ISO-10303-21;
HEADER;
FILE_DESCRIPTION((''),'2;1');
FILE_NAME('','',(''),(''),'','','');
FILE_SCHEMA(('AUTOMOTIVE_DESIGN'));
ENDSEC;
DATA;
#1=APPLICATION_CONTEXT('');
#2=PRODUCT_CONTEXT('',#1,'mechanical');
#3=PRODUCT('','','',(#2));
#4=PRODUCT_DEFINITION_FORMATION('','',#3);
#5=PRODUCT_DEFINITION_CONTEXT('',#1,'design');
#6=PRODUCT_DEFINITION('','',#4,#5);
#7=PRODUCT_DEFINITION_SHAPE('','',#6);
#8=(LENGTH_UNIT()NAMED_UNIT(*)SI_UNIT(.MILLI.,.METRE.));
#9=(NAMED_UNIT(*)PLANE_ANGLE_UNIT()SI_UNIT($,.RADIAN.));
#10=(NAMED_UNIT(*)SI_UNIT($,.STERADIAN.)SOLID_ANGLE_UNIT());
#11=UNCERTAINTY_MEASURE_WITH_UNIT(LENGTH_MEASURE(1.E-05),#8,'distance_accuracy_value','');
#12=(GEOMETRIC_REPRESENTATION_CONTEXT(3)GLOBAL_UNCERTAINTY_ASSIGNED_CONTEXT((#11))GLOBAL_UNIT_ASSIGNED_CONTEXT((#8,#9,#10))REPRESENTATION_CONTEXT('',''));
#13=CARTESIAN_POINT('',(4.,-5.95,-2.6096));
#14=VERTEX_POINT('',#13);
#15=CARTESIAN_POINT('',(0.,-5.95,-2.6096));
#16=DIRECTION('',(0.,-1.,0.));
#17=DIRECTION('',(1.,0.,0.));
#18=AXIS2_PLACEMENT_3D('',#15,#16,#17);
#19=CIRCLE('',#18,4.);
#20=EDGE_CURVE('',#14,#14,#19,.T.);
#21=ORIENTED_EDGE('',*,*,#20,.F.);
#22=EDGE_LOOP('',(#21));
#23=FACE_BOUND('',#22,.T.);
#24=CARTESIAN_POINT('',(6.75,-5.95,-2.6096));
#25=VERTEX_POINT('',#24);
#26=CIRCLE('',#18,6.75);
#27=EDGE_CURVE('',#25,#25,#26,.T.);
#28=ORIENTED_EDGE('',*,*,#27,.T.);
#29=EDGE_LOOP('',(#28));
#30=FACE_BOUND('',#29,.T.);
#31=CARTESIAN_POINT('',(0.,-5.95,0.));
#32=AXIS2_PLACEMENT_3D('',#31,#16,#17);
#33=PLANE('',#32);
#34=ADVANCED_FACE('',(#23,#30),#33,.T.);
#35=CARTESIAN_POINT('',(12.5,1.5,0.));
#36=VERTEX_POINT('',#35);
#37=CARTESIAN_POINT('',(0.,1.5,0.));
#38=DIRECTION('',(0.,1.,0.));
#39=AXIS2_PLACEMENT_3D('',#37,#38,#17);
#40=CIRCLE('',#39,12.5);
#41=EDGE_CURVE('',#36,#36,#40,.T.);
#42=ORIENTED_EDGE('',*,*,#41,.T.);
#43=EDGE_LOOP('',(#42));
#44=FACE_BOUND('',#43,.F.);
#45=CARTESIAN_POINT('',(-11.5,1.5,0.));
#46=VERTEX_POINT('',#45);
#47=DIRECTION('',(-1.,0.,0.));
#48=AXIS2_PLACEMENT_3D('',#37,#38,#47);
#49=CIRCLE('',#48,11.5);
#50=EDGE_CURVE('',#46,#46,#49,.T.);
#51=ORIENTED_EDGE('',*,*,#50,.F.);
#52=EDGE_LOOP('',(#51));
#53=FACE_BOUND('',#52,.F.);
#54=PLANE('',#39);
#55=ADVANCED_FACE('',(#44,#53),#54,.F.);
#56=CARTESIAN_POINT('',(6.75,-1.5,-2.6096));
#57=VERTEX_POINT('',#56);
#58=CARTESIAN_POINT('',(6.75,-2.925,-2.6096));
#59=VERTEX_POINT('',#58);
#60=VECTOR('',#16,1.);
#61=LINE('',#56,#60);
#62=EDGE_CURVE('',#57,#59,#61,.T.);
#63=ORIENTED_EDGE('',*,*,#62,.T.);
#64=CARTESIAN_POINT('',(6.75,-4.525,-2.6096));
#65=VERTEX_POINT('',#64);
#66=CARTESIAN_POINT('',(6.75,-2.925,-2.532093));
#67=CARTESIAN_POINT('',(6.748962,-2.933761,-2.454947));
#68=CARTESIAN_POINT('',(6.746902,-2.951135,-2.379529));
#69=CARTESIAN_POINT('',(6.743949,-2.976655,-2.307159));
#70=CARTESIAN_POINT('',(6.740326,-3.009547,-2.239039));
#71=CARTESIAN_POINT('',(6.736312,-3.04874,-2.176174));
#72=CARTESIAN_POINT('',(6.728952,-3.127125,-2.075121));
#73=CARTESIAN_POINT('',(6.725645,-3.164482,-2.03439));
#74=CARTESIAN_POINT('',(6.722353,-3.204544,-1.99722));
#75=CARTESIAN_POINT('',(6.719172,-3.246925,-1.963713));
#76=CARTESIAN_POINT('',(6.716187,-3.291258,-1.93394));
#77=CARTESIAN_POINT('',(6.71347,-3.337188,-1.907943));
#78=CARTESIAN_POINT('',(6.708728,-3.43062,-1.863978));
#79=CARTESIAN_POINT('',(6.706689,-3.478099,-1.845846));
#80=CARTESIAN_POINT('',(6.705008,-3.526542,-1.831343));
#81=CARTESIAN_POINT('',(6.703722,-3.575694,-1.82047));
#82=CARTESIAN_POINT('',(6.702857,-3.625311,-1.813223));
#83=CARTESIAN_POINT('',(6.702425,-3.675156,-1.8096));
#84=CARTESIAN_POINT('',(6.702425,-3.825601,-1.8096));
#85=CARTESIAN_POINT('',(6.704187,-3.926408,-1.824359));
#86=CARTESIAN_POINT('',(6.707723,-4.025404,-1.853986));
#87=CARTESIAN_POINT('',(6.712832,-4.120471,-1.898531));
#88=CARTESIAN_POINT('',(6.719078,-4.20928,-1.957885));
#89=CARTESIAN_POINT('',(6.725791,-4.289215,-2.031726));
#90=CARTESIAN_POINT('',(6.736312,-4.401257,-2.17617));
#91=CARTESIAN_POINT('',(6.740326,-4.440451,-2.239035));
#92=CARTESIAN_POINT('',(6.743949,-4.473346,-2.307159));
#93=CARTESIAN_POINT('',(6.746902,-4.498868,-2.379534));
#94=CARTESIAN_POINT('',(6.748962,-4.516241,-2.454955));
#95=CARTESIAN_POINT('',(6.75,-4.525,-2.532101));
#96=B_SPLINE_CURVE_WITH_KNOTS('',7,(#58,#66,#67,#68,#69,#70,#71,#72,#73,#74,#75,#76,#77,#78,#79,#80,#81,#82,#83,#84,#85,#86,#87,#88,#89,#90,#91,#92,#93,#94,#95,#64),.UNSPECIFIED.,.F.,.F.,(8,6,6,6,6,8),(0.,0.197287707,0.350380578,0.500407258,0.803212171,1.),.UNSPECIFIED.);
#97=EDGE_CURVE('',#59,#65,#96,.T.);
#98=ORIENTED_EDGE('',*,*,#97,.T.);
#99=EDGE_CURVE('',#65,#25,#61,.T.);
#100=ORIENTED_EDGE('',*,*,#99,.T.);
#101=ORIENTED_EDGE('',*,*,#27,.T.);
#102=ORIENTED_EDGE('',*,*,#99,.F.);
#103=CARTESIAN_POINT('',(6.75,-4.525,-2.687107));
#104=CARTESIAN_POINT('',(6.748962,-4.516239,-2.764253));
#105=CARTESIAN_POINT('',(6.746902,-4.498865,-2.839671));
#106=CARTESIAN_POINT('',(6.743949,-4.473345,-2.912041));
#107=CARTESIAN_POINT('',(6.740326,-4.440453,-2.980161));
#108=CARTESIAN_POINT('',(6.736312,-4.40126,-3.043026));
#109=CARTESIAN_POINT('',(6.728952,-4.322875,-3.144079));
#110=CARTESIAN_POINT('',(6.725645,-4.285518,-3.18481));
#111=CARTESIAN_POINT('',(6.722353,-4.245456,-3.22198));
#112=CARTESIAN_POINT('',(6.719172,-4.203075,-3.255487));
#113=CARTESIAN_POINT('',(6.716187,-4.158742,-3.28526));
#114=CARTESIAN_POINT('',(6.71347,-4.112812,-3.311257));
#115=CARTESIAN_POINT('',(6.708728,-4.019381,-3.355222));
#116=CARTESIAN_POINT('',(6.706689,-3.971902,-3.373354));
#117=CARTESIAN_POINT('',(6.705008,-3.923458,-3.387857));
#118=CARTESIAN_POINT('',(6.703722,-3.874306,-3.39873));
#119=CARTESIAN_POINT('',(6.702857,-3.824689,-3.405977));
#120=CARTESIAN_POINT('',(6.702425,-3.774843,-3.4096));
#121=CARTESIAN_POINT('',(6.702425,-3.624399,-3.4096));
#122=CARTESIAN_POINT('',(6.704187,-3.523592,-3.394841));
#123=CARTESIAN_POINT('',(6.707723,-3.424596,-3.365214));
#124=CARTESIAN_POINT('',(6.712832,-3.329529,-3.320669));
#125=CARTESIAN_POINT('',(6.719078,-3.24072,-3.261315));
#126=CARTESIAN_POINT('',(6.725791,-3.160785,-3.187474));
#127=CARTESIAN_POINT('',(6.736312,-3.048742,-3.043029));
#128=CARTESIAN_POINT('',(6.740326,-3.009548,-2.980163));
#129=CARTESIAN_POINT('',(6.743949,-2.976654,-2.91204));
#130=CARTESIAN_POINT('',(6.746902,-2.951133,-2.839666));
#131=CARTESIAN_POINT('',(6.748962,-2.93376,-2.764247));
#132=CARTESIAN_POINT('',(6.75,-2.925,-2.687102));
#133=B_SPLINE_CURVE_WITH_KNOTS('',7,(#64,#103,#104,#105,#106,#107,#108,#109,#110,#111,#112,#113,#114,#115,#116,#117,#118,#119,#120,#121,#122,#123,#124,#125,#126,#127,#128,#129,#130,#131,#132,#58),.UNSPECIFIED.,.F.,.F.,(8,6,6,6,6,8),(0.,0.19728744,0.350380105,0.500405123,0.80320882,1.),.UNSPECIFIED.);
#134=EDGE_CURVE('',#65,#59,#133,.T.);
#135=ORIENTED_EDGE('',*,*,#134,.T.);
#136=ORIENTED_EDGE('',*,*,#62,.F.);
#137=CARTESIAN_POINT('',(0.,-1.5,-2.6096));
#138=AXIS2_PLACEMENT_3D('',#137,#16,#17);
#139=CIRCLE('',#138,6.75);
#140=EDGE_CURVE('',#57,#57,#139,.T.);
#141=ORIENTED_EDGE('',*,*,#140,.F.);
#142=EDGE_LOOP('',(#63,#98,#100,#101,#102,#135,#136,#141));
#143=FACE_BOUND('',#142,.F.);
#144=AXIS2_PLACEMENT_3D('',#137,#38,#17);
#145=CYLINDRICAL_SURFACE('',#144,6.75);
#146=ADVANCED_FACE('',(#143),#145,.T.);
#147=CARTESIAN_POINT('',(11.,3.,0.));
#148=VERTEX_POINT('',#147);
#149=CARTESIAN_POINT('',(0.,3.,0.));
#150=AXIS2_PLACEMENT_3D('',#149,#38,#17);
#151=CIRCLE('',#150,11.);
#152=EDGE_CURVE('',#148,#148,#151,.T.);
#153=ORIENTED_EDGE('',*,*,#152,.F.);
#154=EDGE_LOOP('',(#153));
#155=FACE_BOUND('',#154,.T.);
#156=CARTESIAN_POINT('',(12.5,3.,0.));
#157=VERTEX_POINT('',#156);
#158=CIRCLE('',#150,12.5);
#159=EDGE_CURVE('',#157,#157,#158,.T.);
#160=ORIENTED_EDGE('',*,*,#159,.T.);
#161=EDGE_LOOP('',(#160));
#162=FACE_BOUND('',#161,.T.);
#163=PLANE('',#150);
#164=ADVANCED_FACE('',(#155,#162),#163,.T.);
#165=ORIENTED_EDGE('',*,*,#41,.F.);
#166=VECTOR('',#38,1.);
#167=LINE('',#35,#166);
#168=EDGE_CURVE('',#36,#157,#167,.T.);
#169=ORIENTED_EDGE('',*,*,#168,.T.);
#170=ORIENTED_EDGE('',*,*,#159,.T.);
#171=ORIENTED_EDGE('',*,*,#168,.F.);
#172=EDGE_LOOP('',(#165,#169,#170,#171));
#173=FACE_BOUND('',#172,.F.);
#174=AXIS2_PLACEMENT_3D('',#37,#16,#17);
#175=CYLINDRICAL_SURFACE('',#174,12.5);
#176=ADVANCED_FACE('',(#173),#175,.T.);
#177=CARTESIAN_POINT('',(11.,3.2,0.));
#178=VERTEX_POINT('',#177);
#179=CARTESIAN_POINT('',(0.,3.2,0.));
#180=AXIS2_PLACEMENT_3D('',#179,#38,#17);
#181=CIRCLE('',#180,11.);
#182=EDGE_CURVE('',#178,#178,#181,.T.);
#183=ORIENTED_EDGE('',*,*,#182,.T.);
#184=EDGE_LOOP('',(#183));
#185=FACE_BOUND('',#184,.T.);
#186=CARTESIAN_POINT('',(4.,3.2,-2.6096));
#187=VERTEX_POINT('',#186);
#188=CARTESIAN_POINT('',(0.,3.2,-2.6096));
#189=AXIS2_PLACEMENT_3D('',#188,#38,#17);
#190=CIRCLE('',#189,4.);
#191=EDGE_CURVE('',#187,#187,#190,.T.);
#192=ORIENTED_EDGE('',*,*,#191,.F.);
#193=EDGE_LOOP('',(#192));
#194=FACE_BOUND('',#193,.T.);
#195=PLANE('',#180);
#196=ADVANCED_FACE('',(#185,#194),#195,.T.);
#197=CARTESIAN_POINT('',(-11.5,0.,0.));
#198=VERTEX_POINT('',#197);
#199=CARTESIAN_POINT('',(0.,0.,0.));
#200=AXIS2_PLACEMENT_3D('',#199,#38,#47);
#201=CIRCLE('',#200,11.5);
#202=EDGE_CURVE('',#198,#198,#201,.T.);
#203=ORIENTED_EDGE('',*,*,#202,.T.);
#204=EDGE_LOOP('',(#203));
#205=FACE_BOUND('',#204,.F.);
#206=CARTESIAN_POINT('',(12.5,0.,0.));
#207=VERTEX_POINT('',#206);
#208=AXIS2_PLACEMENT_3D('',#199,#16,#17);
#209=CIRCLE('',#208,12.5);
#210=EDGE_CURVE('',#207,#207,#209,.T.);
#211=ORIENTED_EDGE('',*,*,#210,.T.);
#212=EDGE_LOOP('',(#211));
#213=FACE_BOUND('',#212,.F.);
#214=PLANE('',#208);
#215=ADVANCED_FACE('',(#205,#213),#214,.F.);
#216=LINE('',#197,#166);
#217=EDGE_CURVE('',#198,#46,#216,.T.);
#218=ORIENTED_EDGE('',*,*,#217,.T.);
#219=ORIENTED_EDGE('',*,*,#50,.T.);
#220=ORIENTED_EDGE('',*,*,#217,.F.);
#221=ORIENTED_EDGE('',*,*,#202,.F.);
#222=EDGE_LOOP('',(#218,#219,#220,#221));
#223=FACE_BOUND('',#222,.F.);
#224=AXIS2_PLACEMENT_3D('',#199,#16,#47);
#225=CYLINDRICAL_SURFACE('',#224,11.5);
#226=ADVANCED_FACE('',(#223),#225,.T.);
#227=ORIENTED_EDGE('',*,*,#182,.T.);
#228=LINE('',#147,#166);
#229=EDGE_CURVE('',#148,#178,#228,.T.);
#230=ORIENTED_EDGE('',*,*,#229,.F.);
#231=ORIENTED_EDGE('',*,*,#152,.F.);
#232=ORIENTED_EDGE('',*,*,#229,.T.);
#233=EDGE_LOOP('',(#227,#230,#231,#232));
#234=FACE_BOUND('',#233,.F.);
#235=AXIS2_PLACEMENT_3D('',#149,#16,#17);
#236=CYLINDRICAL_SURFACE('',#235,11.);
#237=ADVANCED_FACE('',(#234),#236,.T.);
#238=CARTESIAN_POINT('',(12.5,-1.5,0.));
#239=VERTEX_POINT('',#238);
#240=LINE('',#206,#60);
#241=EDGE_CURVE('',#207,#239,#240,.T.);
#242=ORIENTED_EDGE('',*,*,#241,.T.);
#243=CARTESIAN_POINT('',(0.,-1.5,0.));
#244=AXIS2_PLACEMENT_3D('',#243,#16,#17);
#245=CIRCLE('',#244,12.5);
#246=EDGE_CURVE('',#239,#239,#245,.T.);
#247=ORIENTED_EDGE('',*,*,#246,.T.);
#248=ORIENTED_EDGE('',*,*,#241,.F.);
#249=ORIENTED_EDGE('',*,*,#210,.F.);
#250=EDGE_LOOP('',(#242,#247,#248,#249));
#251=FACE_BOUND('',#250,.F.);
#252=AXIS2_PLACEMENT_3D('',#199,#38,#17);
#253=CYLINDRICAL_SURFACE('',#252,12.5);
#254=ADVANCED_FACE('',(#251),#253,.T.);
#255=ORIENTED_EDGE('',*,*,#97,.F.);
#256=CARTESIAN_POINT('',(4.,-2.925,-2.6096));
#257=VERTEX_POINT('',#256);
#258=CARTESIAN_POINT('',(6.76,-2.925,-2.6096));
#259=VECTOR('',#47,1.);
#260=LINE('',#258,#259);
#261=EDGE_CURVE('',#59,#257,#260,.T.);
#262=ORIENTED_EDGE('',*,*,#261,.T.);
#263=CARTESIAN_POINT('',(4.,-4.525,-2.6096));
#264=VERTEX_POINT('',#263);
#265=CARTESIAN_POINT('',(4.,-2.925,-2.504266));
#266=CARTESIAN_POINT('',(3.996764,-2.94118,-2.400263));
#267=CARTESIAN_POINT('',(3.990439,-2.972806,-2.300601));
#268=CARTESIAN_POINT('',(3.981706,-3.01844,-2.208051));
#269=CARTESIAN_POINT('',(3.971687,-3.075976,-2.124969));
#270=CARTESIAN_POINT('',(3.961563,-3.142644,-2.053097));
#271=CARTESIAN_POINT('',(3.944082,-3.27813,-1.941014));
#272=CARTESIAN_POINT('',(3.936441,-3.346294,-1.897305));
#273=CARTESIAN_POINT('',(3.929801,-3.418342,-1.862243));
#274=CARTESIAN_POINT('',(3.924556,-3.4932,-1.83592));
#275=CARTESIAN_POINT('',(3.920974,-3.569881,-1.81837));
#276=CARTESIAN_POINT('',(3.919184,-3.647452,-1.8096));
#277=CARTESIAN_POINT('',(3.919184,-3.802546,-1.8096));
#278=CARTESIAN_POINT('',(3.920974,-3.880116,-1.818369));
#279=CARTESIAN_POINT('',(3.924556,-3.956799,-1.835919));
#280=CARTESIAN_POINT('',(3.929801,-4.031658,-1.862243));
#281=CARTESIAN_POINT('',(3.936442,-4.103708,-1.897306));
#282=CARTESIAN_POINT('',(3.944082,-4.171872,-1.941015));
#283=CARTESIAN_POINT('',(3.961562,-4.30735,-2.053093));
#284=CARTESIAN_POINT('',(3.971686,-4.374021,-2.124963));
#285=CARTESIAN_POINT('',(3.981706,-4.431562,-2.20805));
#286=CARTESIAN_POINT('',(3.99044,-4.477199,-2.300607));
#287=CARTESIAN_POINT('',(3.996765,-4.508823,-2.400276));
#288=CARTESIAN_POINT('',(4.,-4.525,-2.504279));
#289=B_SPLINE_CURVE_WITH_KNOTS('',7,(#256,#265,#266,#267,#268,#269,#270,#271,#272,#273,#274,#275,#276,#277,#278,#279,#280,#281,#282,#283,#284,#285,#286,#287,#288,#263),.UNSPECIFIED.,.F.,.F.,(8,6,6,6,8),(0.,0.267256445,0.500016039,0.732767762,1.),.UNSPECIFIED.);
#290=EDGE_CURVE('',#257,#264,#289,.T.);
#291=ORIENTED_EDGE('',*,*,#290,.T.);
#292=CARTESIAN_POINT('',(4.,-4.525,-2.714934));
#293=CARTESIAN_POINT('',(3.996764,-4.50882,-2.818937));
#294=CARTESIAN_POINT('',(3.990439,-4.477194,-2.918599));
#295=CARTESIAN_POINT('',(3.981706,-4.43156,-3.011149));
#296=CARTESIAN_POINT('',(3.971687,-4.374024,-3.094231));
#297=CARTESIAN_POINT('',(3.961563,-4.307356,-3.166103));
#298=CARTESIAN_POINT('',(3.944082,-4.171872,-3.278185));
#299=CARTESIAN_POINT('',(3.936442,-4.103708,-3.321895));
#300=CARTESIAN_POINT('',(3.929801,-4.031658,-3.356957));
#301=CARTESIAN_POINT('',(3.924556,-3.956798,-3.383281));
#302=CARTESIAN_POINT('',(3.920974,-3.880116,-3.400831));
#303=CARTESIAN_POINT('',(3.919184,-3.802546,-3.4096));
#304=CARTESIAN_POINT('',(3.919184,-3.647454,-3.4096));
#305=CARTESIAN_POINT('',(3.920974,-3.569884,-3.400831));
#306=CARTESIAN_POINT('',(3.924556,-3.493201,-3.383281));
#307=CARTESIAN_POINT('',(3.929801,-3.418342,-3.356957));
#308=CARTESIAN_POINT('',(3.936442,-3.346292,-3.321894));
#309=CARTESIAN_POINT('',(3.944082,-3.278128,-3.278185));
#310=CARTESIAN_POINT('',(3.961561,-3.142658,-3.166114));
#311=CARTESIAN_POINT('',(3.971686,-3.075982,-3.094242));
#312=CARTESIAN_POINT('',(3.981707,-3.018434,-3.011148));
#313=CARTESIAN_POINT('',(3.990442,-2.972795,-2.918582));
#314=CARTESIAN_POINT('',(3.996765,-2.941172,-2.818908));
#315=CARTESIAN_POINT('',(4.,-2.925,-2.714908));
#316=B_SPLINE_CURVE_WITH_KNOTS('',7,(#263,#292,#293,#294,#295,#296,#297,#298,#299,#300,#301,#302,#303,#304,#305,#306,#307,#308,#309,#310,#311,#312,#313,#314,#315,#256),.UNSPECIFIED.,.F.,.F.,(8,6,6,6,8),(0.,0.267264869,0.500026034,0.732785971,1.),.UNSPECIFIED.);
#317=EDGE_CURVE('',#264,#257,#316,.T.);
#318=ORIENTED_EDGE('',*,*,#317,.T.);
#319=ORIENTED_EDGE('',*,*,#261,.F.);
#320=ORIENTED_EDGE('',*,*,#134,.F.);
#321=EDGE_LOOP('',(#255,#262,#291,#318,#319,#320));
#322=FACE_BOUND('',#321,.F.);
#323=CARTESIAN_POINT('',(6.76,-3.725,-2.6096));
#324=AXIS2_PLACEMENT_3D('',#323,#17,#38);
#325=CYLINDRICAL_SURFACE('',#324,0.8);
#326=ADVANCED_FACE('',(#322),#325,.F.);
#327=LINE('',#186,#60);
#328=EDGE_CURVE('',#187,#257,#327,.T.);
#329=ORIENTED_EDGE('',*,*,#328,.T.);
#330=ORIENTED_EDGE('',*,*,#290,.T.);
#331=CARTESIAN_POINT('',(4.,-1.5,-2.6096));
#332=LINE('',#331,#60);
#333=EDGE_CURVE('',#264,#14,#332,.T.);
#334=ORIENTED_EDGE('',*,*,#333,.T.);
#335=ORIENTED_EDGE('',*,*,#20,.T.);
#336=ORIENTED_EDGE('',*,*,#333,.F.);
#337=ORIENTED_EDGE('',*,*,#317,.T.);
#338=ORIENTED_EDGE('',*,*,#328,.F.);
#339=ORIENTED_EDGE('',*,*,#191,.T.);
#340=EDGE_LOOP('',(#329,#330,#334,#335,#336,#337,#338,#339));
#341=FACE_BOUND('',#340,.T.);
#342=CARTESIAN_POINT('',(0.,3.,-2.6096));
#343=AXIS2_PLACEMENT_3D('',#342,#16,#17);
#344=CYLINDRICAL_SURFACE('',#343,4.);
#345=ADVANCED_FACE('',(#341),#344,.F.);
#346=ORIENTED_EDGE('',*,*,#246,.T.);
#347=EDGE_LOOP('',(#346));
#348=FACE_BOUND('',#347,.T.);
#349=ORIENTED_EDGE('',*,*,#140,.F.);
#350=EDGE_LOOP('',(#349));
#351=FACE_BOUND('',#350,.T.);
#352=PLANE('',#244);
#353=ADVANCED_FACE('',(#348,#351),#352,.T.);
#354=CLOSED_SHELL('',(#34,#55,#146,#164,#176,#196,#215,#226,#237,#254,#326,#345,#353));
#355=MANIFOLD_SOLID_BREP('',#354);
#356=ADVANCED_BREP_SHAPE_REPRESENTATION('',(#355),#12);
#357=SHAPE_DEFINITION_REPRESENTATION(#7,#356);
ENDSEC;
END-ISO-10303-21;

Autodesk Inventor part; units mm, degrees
ref_plane "XZ Plane" through (0, 0, 0) normal (0, 1, 0) x (-1, 0, 0)
ref_plane "XY Plane" through (0, 0, 0) normal (0, 0, 1) x (1, 0, 0)
sketch "Sketch1" plane through (0, 0, 0) normal (0, 1, 0) x (-1, 0, 0)
  circle A0 centre (0, 0) radius 11.5
  dimension "d0" = 23
extrude "Extrusion1" add sketch "Sketch1" along normal blind 1.5
sketch "Sketch2" plane through (0, 1.5, 0) normal (0, 1, 0) x (1, 0, 0)
  circle A0 centre (0, 0) radius 12.5
  dimension "d3" = 25
extrude "Extrusion2" add sketch "Sketch2" along normal blind 1.5
sketch "Sketch3" plane through (0, 0, 0) normal (0, -1, 0) x (1, 0, 0)
  circle A0 centre (0, 0) radius 12.5
  dimension "d6" = 25
extrude "Extrusion3" add sketch "Sketch3" along normal blind 1.5
sketch "Sketch4" plane through (0, -1.5, 0) normal (0, -1, 0) x (1, 0, 0)
  circle A0 centre (0, 0) radius 12.5 projected
  line L0 (0, -12.5) -> (0, -9.5) construction
  circle A1 centre (0, -2.6096) radius 6.75
  circle A2 centre (0, -2.6096) radius 4
  dimension "d9" = 3
  dimension "d17" = 13.5
  dimension "d18" = 8
extrude "Extrusion6" add sketch "Sketch4" along normal blind 4.45 contours A1
extrude "Extrusion7" cut sketch "Sketch4" against normal blind 10 contours A2
ref_plane "Work Plane1" through (6.76, 0, 0) normal (1, 0, 0) x (0, 1, 0)
sketch "Sketch6" plane through (6.76, 0, 0) normal (1, 0, 0) x (0, 1, 0)
  line L0 (-5.95, 4.1404) -> (-5.95, -9.3596) projected
  line L1 (-1.5, -9.3596) -> (-1.5, 4.1404) projected
  line L2 (-5.95, -9.3596) -> (-5.95, 4.1404) construction
  line L3 (-1.5, -9.3596) -> (-5.95, -9.3596) construction
  line L4 (-5.95, 4.1404) -> (-1.5, 4.1404) construction
  line L5 (-1.5, 4.1404) -> (-5.95, 4.1404) construction
  line L6 (-5.95, -9.3596) -> (-5.95, -2.6096) construction
  line L7 (-5.95, 4.1404) -> (-3.725, 4.1404) construction
  line L8 (-3.725, 3.1248) -> (-3.725, -6.8752) construction
  circle A0 centre (-3.725, -2.6096) radius 0.8
  point P0 (0, 0)
  dimension "d24" = 4.45
  dimension "d25" = 13.5
  dimension "d26" = 6.75
  dimension "d27" = 2.225
  dimension "d28" = 10
  dimension "d29" = 1.6
extrude "Extrusion8" cut sketch "Sketch6" against normal blind 4.45
sketch "Sketch7" plane through (0, 3, 0) normal (0, 1, 0) x (1, 0, 0)
  circle A0 centre (0, 0) radius 11
  circle A1 centre (0, 2.6096) radius 4 projected
  circle A2 centre (0, 2.6096) radius 4
  dimension "d32" = 22
extrude "Extrusion10" add sketch "Sketch7" along normal blind 0.2
properties part number "reverse gear eccentric 1"
